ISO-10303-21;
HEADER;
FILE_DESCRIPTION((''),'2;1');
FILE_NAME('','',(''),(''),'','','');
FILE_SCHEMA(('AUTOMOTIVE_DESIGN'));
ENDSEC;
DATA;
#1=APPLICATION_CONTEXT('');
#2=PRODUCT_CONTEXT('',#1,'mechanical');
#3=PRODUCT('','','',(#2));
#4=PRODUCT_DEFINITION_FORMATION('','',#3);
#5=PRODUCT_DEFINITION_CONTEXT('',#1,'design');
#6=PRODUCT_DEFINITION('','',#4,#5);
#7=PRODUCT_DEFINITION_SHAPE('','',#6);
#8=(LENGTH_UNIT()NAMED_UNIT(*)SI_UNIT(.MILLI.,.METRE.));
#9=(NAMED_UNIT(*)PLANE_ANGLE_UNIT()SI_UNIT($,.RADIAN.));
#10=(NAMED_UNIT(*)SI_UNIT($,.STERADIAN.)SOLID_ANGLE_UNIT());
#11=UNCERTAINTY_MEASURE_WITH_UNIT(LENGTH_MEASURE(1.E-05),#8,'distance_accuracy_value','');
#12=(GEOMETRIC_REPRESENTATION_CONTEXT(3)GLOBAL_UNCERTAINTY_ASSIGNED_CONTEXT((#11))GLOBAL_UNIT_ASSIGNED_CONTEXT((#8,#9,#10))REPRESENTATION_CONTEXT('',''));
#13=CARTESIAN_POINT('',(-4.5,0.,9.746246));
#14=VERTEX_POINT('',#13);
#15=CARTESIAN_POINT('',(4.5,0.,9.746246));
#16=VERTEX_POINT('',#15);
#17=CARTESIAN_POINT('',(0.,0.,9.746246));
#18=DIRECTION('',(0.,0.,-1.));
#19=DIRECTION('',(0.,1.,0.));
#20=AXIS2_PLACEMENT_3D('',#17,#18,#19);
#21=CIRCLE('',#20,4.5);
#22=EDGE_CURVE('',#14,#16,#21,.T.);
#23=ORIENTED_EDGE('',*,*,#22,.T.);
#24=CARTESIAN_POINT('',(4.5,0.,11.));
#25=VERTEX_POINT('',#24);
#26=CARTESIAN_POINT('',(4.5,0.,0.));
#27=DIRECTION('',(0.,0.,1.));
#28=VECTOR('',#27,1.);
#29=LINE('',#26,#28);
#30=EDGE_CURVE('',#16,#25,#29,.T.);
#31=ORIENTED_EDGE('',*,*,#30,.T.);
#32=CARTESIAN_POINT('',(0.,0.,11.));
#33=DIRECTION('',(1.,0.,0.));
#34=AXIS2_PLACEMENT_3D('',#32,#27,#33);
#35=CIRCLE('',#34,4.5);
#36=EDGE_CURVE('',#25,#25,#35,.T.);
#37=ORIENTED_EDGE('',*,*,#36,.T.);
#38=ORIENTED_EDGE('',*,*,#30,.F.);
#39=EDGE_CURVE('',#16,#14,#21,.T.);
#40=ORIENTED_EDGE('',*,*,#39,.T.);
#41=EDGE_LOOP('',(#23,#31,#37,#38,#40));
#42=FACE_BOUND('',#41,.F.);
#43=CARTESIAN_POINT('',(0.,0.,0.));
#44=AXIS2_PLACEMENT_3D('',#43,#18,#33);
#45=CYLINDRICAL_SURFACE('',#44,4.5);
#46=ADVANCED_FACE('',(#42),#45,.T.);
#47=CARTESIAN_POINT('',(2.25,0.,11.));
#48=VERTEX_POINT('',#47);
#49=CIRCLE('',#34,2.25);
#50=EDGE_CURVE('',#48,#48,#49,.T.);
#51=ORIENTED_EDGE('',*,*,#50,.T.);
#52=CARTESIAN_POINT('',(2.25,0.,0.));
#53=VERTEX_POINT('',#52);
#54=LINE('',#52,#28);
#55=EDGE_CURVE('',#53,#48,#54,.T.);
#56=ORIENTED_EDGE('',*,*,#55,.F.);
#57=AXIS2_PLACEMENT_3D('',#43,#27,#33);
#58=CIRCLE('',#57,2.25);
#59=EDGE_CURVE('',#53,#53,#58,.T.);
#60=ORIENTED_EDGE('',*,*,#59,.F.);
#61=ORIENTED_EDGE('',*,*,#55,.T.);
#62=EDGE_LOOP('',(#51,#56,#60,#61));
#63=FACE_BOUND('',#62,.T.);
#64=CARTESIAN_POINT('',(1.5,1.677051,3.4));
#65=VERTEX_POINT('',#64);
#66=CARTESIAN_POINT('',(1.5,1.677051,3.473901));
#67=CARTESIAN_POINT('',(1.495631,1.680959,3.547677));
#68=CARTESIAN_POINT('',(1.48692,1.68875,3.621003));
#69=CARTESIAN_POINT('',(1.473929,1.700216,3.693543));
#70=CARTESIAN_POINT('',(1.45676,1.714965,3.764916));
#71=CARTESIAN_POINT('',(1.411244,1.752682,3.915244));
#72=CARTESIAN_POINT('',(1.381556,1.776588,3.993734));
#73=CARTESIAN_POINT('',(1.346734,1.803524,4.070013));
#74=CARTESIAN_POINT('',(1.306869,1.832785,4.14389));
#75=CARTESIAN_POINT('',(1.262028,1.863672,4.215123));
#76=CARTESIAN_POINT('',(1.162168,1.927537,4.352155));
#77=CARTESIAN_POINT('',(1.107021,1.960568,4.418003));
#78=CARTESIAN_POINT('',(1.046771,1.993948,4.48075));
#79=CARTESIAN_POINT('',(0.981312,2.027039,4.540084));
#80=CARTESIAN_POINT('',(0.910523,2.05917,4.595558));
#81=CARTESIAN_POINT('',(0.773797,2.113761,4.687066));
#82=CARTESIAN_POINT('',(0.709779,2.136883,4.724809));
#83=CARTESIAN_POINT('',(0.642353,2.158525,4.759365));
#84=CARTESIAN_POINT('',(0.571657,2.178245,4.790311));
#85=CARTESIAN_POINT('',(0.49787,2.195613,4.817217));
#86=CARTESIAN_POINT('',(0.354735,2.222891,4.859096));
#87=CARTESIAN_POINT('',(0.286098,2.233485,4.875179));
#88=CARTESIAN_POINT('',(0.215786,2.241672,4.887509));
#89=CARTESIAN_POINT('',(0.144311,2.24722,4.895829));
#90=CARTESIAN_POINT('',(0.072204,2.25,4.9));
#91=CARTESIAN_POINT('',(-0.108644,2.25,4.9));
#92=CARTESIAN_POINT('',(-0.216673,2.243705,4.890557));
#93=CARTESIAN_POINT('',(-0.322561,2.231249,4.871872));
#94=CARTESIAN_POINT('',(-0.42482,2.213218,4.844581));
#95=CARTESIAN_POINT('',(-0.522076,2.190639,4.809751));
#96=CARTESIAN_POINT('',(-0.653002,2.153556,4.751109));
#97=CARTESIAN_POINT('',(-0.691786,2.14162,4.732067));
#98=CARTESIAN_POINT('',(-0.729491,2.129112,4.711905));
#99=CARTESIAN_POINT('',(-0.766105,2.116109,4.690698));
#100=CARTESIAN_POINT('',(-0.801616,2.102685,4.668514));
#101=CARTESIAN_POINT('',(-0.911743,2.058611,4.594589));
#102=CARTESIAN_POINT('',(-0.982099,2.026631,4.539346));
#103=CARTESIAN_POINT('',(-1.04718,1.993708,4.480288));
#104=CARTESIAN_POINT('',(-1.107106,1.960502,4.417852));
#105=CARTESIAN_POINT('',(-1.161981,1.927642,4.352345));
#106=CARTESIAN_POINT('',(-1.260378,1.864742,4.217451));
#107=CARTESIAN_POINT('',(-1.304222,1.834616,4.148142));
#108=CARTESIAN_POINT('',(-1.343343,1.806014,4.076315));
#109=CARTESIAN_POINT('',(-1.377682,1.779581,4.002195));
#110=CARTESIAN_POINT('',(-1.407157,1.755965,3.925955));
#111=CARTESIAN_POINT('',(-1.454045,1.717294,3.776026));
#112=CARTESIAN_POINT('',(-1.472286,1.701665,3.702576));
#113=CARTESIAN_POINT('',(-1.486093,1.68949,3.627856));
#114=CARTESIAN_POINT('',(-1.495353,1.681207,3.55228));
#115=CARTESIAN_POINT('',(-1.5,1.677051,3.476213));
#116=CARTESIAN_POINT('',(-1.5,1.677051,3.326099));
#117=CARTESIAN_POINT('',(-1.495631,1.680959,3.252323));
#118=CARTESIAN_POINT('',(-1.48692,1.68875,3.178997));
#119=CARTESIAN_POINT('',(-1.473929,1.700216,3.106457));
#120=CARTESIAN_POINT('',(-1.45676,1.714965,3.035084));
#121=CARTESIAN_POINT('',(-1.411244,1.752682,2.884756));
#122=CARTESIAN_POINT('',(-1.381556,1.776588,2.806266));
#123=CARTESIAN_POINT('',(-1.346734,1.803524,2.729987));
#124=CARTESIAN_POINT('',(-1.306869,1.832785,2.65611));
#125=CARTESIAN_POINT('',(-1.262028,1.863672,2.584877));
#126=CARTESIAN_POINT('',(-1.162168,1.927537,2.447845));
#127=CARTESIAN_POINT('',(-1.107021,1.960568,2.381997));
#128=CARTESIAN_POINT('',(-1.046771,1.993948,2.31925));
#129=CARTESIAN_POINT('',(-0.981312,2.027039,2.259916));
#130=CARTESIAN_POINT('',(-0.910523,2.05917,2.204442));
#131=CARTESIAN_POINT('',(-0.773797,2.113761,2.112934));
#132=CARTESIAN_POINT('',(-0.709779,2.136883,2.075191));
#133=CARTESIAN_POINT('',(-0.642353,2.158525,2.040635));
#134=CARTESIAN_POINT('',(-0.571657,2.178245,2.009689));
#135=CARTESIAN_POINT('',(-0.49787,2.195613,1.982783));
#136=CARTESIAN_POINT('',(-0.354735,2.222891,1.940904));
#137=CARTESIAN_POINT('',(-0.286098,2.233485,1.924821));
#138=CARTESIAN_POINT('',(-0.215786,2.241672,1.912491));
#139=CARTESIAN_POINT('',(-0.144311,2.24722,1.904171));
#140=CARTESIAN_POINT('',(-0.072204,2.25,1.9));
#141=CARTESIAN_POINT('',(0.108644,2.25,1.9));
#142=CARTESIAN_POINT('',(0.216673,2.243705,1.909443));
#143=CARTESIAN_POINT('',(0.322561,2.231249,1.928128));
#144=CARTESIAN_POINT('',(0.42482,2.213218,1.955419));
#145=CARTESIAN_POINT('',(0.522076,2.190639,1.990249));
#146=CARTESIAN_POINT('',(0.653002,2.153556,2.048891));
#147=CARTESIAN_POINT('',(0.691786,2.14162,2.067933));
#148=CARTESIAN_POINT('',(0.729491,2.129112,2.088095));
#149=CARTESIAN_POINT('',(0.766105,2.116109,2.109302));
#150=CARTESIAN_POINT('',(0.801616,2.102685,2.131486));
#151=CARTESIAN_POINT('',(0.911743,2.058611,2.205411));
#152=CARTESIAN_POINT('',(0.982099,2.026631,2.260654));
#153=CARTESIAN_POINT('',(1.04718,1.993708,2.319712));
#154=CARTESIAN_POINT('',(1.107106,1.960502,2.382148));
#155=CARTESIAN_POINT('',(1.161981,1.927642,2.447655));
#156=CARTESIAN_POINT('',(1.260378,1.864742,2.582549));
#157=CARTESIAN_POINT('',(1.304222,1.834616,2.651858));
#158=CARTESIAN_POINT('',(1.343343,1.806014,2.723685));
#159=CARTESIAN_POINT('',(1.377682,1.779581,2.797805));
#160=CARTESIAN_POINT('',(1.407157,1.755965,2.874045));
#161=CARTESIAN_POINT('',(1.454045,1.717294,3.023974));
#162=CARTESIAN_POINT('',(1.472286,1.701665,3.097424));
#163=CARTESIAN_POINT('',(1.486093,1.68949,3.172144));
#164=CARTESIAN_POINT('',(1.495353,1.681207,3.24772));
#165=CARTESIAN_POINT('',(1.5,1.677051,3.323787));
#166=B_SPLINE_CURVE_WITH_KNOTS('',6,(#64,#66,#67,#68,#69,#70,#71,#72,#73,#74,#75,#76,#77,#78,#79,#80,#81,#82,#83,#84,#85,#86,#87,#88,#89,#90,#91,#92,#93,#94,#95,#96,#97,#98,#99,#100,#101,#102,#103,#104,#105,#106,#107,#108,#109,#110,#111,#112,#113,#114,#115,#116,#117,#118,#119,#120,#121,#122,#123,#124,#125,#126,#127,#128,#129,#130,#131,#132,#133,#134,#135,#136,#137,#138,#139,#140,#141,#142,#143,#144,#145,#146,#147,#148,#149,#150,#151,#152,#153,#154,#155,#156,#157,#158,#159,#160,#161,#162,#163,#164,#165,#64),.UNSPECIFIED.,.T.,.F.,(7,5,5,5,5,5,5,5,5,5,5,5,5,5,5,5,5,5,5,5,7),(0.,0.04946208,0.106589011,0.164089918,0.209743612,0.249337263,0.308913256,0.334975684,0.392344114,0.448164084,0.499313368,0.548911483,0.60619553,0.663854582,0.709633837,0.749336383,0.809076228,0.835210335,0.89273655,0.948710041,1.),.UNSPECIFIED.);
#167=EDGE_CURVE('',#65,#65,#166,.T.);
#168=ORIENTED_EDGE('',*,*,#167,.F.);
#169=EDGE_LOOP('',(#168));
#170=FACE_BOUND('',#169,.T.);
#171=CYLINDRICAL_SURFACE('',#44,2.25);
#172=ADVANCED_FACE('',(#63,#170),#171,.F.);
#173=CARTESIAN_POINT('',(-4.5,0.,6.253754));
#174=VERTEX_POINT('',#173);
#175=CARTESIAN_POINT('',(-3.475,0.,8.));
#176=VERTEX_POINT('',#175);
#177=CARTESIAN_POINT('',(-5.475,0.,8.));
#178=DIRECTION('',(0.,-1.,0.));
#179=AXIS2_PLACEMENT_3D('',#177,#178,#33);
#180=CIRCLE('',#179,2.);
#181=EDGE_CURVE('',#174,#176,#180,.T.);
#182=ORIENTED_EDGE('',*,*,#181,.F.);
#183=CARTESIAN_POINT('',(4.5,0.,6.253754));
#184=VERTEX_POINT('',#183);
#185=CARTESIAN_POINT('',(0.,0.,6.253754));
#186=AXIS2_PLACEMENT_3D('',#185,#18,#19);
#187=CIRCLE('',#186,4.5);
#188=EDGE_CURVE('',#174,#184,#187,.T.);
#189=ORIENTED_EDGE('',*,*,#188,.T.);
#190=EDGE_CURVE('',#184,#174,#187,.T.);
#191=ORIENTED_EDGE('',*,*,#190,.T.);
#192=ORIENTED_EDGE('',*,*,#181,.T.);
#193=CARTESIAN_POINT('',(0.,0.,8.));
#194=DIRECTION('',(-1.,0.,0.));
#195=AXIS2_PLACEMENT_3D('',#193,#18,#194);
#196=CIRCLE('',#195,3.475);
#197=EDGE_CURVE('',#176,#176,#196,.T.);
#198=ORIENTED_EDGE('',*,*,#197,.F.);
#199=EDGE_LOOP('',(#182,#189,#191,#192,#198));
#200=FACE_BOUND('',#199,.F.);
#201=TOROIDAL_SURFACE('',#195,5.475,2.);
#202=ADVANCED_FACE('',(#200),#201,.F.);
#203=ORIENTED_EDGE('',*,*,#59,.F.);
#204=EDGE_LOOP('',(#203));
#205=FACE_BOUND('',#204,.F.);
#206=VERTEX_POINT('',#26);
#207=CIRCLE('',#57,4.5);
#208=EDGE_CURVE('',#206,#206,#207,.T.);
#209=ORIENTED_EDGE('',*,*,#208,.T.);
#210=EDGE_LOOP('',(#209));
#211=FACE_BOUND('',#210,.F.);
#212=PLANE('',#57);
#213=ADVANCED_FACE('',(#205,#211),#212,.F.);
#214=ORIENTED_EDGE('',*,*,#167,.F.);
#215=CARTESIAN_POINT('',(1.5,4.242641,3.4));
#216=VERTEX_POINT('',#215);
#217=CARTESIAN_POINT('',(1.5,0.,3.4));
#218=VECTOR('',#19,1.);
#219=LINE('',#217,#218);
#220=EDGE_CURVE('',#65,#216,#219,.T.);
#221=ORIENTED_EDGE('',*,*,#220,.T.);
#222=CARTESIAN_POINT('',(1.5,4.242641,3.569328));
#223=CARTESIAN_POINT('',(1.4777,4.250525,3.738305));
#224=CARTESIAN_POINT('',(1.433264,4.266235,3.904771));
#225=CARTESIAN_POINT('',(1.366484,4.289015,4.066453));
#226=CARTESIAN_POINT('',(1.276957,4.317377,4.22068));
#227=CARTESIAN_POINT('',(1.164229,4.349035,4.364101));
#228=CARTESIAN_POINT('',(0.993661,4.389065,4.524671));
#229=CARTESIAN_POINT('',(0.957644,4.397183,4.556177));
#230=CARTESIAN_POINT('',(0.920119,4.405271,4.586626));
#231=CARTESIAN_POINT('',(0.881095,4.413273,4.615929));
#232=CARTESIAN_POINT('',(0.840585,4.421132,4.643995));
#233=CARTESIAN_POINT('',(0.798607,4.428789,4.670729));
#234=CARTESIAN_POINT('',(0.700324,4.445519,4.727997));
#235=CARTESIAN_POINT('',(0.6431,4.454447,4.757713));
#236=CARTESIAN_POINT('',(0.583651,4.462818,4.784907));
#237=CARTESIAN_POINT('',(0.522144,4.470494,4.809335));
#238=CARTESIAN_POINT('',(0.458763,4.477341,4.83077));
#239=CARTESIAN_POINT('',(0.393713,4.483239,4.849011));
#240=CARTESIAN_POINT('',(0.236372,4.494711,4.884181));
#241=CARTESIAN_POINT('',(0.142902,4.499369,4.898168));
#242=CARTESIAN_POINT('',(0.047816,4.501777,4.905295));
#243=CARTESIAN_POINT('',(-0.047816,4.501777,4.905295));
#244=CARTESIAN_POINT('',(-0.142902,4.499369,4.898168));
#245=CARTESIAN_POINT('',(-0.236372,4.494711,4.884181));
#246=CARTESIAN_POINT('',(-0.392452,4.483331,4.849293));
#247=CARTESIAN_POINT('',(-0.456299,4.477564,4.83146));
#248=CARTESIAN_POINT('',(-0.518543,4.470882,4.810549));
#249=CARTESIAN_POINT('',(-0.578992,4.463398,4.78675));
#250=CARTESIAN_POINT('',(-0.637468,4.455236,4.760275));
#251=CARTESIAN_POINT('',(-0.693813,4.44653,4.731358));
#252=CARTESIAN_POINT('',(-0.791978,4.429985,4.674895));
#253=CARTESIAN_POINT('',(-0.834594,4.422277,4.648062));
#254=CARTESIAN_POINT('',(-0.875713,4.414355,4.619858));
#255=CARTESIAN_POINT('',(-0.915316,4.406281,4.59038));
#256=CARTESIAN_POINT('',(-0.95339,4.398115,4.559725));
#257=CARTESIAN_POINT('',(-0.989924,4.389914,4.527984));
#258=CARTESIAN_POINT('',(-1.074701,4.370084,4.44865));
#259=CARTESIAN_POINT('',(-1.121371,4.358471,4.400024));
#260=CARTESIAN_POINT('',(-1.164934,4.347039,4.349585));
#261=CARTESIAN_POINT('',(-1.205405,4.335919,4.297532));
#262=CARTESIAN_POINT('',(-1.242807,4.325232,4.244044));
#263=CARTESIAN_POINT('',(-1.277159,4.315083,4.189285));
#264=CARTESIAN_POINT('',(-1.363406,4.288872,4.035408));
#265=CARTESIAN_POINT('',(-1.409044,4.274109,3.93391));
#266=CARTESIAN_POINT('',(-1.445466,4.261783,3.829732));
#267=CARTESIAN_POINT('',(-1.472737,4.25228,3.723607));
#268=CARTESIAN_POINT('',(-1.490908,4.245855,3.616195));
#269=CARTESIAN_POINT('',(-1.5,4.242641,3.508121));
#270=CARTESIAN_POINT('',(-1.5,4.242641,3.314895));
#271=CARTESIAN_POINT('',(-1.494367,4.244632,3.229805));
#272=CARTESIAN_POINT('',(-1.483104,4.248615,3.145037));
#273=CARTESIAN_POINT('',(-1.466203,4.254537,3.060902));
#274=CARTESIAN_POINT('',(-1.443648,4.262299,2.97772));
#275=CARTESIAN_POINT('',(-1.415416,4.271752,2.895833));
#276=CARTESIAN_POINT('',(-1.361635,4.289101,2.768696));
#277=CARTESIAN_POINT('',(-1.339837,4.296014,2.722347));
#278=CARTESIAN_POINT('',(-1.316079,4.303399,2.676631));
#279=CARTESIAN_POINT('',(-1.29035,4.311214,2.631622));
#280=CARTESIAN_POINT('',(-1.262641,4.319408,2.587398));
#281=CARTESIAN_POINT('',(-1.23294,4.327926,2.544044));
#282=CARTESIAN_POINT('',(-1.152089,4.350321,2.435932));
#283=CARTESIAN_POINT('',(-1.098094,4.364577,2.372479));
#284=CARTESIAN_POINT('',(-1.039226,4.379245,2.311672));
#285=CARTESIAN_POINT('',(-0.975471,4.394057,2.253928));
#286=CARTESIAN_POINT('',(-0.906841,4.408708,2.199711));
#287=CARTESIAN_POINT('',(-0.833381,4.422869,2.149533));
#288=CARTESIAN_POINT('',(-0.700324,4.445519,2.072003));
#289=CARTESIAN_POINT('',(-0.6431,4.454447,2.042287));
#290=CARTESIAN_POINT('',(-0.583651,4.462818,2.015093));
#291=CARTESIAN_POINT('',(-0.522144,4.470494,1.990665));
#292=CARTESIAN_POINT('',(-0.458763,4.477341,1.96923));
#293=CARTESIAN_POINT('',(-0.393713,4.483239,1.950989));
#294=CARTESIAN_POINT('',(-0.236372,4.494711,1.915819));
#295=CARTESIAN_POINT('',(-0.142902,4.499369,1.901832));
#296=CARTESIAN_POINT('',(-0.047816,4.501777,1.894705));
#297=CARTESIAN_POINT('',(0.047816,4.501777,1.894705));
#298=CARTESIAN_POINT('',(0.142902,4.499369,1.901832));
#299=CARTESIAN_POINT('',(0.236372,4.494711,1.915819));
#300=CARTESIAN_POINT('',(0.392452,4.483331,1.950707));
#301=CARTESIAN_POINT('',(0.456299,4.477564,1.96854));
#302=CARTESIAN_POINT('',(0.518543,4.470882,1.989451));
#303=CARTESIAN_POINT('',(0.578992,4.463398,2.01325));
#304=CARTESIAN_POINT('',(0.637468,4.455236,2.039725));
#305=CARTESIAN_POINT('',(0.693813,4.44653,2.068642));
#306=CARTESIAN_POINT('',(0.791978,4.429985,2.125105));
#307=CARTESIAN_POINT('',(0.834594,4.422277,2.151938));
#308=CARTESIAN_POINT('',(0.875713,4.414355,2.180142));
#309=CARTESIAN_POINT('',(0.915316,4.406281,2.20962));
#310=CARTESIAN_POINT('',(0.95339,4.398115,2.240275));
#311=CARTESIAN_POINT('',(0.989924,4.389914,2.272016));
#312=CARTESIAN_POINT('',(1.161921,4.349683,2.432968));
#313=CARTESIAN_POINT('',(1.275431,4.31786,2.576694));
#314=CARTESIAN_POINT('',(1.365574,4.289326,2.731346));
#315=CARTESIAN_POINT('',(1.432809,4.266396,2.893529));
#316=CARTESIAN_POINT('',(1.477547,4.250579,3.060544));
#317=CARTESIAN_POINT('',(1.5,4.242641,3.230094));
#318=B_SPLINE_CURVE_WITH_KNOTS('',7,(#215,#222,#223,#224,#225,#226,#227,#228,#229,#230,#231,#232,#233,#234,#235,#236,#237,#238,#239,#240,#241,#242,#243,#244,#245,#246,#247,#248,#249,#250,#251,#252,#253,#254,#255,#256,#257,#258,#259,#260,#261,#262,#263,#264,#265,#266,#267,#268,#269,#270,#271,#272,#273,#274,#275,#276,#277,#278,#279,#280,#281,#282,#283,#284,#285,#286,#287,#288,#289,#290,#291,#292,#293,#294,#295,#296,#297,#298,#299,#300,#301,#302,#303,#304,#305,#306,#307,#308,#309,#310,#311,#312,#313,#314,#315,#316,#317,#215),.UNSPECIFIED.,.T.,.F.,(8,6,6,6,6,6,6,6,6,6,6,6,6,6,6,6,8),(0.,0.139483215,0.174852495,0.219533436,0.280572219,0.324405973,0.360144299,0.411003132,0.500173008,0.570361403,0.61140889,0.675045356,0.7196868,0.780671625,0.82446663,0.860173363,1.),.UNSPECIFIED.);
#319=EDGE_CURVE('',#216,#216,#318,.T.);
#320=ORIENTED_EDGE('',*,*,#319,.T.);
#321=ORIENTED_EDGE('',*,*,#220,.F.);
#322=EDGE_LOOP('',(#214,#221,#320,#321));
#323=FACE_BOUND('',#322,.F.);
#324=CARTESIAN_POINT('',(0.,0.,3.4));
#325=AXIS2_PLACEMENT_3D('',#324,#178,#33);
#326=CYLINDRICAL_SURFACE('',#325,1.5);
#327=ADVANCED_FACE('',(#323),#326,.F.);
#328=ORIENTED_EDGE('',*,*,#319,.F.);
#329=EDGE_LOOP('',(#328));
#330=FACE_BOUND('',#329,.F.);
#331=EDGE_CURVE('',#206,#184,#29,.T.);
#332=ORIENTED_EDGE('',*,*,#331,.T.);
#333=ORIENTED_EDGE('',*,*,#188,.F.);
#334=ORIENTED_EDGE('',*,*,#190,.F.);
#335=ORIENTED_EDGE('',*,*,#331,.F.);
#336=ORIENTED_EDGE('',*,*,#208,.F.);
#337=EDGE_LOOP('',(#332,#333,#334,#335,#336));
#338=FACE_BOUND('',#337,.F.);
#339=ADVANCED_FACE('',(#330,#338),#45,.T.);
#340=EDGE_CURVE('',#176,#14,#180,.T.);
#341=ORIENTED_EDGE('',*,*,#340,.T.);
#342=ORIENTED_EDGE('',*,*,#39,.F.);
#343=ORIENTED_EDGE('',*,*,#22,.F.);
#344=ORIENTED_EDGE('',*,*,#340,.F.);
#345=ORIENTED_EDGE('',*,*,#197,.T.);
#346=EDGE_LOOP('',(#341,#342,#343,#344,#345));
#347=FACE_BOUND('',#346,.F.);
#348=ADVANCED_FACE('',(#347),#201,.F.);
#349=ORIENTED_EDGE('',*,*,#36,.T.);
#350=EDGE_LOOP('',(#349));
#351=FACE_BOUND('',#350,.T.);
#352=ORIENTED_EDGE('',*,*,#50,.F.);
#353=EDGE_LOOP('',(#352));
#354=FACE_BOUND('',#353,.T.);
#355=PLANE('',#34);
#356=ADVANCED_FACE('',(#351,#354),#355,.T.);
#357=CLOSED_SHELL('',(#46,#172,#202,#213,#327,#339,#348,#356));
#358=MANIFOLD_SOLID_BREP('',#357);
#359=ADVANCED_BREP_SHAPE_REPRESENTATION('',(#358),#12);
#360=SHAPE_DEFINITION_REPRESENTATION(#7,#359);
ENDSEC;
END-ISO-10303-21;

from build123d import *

# Parameters (mm, degrees)
F0_R     = 4.5
F0_R_2   = 2.25
F1_DEPTH = 11
F2_R     = 1.5
F3_DEPTH = 4.501
F2_R_2   = 2


with BuildPart() as f1:
    # F0 (on Top) → F1 (new body)
    with BuildSketch(Plane.XY):
        Circle(F0_R)
        Circle(F0_R_2, mode=Mode.SUBTRACT)
    extrude(amount=F1_DEPTH)

    # F2 (on Front) → F3 (cut, through all)
    with BuildSketch(Plane.XZ):
        with Locations((0, 3.4)):
            Circle(F2_R)
    extrude(amount=-F3_DEPTH, mode=Mode.SUBTRACT)

    # F2 (on Front) → F4 (revolve, cut)
    with BuildSketch(Plane.XZ):
        with Locations((-5.475, 8)):
            Circle(F2_R_2)
    revolve(axis=Axis((0, 0, 6.367243), (0, 0, -1)), mode=Mode.SUBTRACT)


solid = f1.part
